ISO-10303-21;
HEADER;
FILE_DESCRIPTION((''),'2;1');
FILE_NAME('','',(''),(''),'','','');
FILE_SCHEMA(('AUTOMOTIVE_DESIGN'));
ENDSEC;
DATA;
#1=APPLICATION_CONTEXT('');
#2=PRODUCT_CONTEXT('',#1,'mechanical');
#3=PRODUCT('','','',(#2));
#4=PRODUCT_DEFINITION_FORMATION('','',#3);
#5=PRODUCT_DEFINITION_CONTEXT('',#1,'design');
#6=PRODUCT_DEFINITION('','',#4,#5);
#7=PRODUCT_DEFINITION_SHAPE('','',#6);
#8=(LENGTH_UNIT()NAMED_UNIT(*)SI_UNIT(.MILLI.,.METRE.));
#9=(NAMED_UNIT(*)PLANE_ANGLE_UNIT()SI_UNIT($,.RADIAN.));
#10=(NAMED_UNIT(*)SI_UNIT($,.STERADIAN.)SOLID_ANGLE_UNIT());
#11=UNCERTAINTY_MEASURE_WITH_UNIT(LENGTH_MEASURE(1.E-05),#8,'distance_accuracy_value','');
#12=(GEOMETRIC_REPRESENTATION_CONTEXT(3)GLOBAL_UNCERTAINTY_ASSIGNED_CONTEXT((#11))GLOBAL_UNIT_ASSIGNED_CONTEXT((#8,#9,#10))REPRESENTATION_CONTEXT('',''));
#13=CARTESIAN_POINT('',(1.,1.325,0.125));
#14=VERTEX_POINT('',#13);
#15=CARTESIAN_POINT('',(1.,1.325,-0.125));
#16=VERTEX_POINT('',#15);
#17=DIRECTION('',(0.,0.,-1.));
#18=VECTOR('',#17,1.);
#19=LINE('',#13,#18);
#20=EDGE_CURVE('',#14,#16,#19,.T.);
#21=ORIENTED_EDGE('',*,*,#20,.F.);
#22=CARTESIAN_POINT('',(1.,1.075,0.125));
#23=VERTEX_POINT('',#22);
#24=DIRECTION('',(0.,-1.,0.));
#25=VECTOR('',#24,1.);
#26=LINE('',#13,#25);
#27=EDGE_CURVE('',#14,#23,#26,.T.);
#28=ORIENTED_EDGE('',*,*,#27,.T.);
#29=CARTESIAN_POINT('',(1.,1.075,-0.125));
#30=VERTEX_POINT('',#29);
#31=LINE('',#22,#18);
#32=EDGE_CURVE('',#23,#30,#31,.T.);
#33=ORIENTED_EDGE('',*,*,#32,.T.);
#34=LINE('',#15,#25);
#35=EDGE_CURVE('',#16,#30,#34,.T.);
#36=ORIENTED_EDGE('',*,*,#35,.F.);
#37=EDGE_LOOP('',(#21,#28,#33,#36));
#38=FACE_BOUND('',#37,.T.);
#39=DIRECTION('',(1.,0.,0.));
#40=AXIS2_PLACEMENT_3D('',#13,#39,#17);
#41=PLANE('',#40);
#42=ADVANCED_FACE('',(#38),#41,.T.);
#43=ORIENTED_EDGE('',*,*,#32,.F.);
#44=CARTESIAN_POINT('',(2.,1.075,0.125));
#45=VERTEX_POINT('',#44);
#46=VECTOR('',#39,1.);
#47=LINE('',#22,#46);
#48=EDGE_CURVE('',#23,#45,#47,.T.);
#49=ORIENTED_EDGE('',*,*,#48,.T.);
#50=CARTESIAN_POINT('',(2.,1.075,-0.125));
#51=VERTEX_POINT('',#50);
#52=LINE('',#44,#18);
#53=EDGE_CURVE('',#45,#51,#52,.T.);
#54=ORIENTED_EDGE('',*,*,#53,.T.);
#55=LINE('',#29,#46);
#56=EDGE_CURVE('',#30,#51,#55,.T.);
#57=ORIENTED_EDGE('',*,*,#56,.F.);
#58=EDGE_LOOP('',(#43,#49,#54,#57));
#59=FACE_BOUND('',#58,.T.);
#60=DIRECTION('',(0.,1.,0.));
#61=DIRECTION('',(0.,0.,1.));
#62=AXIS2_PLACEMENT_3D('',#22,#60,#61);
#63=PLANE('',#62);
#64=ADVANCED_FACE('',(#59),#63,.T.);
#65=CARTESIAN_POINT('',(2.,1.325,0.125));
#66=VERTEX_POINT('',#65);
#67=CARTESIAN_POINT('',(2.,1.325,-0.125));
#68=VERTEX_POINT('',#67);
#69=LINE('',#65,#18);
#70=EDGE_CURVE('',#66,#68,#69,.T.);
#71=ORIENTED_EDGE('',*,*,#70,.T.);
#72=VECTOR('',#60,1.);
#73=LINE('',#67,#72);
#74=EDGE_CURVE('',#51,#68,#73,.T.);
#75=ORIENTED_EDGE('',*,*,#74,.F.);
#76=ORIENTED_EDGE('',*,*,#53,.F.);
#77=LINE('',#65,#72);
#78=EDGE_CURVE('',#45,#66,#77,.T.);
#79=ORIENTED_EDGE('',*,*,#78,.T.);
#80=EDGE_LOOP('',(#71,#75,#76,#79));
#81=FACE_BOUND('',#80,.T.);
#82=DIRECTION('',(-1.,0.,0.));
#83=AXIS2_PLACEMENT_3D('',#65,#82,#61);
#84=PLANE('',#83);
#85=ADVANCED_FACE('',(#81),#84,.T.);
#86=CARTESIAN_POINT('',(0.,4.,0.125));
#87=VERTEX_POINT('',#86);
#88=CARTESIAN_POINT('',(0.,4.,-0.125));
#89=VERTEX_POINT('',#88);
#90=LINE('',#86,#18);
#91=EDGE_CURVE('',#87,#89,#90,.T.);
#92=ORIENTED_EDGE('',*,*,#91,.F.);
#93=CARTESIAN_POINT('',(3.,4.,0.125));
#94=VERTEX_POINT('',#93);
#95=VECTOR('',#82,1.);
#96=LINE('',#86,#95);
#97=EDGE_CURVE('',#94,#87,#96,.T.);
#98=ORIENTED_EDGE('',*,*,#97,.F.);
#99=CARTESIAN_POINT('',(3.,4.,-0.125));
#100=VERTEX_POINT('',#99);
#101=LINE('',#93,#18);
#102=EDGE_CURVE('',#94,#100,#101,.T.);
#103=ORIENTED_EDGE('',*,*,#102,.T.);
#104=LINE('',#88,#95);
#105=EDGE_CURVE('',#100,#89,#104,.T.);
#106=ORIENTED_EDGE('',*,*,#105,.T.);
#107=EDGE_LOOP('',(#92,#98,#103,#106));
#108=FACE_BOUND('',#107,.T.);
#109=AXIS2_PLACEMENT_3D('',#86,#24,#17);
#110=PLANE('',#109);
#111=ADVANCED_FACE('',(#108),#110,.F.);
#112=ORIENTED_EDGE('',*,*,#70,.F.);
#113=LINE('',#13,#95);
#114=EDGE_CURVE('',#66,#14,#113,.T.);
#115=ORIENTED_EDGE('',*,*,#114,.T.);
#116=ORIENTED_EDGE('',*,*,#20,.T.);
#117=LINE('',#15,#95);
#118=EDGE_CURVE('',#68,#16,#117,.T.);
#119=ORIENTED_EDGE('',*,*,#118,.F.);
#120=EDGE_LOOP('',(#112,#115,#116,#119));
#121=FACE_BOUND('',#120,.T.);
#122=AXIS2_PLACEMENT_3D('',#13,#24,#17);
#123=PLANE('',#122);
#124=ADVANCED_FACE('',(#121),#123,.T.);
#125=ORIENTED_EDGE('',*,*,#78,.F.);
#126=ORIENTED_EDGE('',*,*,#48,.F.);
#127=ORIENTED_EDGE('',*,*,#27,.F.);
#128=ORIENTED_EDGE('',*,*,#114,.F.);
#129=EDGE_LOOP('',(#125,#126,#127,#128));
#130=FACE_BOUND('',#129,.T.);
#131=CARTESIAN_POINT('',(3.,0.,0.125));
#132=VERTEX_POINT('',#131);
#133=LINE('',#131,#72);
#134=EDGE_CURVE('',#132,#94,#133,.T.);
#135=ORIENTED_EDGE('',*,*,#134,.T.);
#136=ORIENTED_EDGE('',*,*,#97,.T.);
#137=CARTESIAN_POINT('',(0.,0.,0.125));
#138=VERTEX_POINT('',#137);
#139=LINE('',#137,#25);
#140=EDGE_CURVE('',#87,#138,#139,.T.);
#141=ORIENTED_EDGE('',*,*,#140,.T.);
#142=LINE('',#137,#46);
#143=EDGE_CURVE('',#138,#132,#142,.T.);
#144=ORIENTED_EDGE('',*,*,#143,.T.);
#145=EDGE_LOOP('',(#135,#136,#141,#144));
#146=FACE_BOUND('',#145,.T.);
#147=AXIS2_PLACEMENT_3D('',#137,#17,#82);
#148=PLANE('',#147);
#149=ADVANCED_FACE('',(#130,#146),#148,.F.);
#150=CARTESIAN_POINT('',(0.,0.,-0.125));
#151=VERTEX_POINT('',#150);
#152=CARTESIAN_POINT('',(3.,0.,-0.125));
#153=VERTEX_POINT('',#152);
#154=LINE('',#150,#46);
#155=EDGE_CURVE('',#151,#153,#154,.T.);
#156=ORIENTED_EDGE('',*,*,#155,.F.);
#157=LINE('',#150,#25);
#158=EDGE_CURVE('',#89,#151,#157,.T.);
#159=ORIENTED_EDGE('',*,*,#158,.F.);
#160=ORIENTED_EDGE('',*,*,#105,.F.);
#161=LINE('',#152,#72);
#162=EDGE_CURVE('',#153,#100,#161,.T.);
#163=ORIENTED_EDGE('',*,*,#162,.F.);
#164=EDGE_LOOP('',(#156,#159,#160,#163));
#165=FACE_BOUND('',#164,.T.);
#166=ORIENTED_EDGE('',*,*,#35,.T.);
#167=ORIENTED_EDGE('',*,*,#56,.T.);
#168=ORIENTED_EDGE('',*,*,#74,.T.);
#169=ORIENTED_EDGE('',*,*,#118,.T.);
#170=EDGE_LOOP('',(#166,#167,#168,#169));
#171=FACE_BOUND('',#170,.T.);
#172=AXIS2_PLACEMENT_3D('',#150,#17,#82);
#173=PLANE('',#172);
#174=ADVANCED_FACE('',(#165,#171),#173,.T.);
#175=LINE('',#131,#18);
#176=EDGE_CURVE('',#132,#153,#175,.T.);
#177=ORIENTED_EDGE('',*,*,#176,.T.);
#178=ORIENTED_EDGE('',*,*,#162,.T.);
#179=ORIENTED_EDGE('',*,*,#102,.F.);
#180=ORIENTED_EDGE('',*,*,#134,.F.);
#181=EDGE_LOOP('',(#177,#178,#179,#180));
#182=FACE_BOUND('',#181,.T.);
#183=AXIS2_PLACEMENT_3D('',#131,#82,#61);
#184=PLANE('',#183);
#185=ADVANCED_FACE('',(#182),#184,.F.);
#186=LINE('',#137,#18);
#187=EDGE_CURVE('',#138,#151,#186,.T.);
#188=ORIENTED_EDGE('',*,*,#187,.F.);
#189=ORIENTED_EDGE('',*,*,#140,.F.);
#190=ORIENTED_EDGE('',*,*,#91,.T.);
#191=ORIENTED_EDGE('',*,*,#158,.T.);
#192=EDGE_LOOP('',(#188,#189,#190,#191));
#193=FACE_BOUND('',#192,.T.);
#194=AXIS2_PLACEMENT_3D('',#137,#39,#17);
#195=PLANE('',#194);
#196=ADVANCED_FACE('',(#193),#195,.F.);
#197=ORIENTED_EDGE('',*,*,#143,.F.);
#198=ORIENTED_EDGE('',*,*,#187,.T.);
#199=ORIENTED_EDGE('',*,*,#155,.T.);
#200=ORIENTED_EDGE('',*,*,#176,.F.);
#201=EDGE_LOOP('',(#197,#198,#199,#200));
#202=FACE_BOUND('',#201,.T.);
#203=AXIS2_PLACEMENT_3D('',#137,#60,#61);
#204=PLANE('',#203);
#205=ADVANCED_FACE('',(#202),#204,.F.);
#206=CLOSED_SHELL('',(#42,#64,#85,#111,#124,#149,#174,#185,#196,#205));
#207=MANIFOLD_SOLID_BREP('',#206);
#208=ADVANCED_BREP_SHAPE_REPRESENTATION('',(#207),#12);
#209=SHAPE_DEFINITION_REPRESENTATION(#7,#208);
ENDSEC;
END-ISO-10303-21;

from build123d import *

# Parameters (mm, degrees)
FRAME_OUTLINE_W     = 3
FRAME_OUTLINE_H     = 4
FRAME_OUTLINE_W_2   = 1
FRAME_OUTLINE_H_2   = 0.25
BOSS_EXTRUDE1_DEPTH = 0.125


with BuildPart() as part:
    # frame_outline → Boss-Extrude1 (new, symmetric)
    with BuildSketch(Plane.XY):
        with Locations((1.5, 2)):
            Rectangle(FRAME_OUTLINE_W, FRAME_OUTLINE_H)
        with Locations((1.5, 1.2)):
            Rectangle(FRAME_OUTLINE_W_2, FRAME_OUTLINE_H_2, mode=Mode.SUBTRACT)
    extrude(amount=BOSS_EXTRUDE1_DEPTH, both=True)


solid = part.part
